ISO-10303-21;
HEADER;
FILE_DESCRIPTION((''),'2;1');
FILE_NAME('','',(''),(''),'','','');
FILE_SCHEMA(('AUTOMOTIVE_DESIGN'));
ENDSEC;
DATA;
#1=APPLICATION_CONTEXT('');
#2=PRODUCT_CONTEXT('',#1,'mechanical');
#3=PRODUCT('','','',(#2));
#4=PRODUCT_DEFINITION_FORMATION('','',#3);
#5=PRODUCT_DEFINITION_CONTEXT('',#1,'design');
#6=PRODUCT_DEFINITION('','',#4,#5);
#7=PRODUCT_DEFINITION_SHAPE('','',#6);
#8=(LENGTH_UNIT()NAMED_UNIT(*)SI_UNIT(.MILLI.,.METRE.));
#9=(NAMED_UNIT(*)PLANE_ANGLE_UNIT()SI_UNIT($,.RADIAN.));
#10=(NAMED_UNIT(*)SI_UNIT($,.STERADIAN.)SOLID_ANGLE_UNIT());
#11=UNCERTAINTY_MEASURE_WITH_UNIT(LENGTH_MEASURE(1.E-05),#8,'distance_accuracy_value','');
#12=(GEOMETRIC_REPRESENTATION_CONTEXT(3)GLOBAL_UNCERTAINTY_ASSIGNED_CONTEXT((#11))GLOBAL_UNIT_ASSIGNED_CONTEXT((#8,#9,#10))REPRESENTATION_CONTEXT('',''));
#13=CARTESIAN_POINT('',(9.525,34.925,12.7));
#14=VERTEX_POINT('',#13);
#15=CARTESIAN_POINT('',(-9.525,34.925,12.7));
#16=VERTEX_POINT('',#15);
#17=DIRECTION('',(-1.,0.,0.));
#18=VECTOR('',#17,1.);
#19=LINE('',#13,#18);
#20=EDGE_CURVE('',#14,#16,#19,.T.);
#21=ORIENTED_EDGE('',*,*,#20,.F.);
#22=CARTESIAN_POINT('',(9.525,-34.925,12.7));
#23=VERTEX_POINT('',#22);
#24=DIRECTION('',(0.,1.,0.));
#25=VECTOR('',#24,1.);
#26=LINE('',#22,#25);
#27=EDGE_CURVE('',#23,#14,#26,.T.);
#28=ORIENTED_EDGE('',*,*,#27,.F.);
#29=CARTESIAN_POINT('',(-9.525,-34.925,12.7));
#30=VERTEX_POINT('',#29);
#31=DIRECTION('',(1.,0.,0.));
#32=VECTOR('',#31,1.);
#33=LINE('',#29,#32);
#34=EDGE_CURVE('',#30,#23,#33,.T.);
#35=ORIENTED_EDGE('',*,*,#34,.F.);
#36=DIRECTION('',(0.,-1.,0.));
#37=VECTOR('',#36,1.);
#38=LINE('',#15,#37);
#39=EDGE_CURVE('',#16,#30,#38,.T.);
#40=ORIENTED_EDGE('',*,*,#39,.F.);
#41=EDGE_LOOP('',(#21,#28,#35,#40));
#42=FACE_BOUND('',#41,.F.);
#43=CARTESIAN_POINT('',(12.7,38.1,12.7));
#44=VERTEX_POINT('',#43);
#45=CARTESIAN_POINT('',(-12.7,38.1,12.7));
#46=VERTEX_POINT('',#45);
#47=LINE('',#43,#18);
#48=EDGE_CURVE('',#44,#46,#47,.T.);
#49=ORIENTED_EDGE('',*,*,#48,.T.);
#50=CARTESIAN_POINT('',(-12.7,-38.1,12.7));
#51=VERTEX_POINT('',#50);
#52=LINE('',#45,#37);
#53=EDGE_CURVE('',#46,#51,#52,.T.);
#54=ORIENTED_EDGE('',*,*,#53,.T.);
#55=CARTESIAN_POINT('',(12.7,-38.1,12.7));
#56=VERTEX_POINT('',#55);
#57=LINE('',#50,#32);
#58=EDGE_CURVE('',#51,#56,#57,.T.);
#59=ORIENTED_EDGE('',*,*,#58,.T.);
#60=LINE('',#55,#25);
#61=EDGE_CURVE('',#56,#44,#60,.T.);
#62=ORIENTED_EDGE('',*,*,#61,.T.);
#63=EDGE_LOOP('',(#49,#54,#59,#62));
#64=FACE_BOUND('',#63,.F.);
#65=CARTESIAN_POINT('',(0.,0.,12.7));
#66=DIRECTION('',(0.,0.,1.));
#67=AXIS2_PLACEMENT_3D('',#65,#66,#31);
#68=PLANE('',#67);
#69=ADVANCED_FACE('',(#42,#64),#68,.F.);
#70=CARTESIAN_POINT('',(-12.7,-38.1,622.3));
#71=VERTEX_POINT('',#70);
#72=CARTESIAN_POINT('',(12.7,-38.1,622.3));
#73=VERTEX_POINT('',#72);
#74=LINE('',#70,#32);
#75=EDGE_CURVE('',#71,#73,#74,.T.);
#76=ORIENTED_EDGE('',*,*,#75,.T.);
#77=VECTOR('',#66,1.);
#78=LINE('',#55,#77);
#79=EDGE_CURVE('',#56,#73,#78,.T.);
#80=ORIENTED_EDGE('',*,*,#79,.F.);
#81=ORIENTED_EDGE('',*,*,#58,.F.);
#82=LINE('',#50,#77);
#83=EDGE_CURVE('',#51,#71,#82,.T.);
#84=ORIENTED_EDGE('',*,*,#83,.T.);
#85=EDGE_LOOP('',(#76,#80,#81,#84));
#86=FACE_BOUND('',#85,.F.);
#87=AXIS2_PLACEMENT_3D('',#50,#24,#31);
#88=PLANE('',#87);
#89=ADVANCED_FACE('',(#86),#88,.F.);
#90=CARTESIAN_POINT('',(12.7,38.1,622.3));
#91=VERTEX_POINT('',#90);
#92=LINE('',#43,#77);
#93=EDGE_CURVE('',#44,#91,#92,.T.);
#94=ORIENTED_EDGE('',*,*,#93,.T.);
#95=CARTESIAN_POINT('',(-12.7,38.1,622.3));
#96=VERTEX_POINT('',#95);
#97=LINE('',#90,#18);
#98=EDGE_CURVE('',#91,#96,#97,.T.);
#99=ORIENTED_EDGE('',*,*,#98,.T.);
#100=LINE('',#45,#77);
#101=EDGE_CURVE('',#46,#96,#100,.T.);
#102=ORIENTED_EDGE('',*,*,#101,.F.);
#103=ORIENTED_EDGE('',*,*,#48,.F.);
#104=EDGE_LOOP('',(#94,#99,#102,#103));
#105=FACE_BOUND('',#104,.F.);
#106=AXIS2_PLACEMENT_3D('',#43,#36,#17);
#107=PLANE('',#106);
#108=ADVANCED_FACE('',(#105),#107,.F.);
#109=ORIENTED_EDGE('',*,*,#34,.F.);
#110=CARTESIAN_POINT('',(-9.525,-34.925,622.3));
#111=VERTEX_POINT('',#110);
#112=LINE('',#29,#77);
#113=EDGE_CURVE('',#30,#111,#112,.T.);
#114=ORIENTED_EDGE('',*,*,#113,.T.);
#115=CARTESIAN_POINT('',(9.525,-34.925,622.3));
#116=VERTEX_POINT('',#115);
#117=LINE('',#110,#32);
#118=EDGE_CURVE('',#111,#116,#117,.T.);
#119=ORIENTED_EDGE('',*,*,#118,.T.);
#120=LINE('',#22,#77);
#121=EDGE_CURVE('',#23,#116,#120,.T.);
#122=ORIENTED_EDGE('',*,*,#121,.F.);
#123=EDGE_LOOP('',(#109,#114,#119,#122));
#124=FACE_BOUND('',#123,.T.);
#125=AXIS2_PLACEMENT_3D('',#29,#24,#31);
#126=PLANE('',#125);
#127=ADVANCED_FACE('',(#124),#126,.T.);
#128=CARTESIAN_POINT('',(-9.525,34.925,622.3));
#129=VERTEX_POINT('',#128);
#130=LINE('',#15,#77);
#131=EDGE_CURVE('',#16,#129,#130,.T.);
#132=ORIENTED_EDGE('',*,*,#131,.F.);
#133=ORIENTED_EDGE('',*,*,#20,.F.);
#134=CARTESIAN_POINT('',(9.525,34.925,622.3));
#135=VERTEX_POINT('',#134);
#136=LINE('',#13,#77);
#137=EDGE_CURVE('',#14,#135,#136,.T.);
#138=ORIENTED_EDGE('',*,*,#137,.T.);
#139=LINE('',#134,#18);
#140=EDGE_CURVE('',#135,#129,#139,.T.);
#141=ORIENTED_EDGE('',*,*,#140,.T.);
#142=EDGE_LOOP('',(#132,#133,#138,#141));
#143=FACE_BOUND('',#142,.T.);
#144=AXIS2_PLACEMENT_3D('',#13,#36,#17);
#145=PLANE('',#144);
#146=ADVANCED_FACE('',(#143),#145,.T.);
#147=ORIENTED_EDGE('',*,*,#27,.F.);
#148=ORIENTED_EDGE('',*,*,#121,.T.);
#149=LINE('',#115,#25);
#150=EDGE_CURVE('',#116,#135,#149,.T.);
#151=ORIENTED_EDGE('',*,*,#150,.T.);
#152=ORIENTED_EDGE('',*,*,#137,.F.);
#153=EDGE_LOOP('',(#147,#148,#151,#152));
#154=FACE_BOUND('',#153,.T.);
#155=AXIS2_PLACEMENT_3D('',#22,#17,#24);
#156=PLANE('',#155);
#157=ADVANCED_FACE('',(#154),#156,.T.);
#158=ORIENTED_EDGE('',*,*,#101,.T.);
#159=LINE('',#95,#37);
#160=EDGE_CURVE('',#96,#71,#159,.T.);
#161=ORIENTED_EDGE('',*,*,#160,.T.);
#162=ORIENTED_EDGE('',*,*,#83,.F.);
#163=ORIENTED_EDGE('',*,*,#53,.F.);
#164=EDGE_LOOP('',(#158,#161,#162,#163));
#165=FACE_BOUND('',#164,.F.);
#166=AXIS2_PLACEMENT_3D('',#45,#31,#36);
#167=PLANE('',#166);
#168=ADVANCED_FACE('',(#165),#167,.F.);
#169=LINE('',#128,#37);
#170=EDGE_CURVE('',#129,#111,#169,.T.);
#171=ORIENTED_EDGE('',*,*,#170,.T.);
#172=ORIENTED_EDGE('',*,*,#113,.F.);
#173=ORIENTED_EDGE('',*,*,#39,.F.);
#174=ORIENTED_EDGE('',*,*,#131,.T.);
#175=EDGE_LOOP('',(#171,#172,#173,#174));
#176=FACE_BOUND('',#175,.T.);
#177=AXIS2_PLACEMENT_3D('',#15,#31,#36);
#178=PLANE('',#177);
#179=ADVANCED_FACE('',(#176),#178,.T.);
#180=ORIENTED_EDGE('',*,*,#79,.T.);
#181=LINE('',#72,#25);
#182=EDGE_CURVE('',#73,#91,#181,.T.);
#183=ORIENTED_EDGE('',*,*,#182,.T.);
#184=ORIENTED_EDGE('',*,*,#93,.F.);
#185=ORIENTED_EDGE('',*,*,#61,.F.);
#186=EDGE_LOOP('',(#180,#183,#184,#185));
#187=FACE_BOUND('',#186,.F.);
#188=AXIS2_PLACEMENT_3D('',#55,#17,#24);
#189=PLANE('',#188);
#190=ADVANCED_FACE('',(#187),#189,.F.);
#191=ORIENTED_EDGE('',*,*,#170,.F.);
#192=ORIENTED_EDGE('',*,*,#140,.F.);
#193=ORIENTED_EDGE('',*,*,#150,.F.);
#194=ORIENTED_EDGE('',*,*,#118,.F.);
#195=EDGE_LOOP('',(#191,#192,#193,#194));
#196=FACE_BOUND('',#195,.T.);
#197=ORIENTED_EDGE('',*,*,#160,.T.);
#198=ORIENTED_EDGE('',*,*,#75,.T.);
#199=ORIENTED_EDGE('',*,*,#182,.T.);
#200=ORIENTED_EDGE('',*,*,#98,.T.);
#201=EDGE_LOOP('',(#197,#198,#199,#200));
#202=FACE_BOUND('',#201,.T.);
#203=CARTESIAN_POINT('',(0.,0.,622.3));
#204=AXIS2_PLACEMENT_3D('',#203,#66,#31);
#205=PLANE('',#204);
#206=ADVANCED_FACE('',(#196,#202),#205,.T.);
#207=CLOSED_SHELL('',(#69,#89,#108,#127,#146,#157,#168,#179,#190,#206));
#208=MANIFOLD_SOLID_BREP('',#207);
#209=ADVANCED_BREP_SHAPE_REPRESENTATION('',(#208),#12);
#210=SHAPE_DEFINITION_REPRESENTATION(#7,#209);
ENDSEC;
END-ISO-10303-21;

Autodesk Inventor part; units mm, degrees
ref_plane "Start Plane" through (0, 0, 12.7) normal (0, 0, 1) x (1, 0, 0)
ref_plane "End Plane" through (0, 0, 622.3) normal (0, 0, 1) x (1, 0, 0)
sketch "Sketch" plane through (0, 0, 0) normal (0, 0, 1) x (1, 0, 0)
  line L0 (-12.7, -38.1) -> (12.7, -38.1)
  line L1 (12.7, -38.1) -> (12.7, 38.1)
  line L2 (12.7, 38.1) -> (-12.7, 38.1)
  line L3 (-12.7, 38.1) -> (-12.7, -38.1)
  line L4 (-12.7, -38.1) -> (12.7, 38.1) construction
  line L5 (12.7, -38.1) -> (-12.7, 38.1) construction
  line L6 (-9.525, -34.925) -> (9.525, -34.925)
  line L7 (9.525, -34.925) -> (9.525, 34.925)
  line L8 (9.525, 34.925) -> (-9.525, 34.925)
  line L9 (-9.525, 34.925) -> (-9.525, -34.925)
  line L10 (-9.525, -34.925) -> (9.525, 34.925) construction
  line L11 (9.525, -34.925) -> (-9.525, 34.925) construction
  point P0 (0, 0)
  dimension "d0" = 25.4
  dimension "d1" = 76.2
  dimension "d2" = 3.175
  dimension "d3" = 3.175
extrude "Body" add sketch "Sketch" along normal up to surface (609.6 mm away) from surface at 12.7
sketch "Sketch6" plane through (0, 0, 0) normal (0, 0, 1) x (1, 0, 0)
  line L0 (0, 0) -> (10, 0)
ref_plane "Work Plane5" through (0, 0, 0) normal (0, -1, 0) x (1, 0, 0)
sketch "Sketch7" plane through (0, 0, 0) normal (0, -1, 0) x (1, 0, 0)
  line L0 (-2, 12.7) -> (12, 12.7)
  line L1 (-2, 622.3) -> (12, 622.3)
  dimension "d11" = 609.6
ref_plane "Work Plane6" through (538.4104, -38.1, 12.7) normal (0, 0, -1) x (-1, 0, 0)
split "Split1" plane through (538.4104, -38.1, 12.7) removes the side toward (0, 0, -1)
ref_plane "Work Plane7" through (-203.2, -38.1, 622.3) normal (0, 0, 1) x (1, 0, 0)
split "Split2" plane through (-203.2, -38.1, 622.3) removes the side toward (0, 0, 1)
equation "\"d0\" = Width"
equation "\"d1\" = Height"
equation "\"d2\" = Thickness"
equation "\"d3\" = Thickness"
equation "\"Height\" = 76.2"
equation "\"Width\" = 25.4"
equation "\"Thickness\" = 3.175"
equation "\"BaseLength\" = 635"
equation "\"G_OFFSET_START\" = -12.7"
equation "\"G_OFFSET_END\" = -12.7"
equation "\"d6\" = -G_OFFSET_START"
equation "\"d7\" = BaseLength + G_OFFSET_END"
equation "\"G_L\" = d11"
properties part number "AL RECT TUBE 3 x 1 x 0.125" material "Aluminum 6061"
